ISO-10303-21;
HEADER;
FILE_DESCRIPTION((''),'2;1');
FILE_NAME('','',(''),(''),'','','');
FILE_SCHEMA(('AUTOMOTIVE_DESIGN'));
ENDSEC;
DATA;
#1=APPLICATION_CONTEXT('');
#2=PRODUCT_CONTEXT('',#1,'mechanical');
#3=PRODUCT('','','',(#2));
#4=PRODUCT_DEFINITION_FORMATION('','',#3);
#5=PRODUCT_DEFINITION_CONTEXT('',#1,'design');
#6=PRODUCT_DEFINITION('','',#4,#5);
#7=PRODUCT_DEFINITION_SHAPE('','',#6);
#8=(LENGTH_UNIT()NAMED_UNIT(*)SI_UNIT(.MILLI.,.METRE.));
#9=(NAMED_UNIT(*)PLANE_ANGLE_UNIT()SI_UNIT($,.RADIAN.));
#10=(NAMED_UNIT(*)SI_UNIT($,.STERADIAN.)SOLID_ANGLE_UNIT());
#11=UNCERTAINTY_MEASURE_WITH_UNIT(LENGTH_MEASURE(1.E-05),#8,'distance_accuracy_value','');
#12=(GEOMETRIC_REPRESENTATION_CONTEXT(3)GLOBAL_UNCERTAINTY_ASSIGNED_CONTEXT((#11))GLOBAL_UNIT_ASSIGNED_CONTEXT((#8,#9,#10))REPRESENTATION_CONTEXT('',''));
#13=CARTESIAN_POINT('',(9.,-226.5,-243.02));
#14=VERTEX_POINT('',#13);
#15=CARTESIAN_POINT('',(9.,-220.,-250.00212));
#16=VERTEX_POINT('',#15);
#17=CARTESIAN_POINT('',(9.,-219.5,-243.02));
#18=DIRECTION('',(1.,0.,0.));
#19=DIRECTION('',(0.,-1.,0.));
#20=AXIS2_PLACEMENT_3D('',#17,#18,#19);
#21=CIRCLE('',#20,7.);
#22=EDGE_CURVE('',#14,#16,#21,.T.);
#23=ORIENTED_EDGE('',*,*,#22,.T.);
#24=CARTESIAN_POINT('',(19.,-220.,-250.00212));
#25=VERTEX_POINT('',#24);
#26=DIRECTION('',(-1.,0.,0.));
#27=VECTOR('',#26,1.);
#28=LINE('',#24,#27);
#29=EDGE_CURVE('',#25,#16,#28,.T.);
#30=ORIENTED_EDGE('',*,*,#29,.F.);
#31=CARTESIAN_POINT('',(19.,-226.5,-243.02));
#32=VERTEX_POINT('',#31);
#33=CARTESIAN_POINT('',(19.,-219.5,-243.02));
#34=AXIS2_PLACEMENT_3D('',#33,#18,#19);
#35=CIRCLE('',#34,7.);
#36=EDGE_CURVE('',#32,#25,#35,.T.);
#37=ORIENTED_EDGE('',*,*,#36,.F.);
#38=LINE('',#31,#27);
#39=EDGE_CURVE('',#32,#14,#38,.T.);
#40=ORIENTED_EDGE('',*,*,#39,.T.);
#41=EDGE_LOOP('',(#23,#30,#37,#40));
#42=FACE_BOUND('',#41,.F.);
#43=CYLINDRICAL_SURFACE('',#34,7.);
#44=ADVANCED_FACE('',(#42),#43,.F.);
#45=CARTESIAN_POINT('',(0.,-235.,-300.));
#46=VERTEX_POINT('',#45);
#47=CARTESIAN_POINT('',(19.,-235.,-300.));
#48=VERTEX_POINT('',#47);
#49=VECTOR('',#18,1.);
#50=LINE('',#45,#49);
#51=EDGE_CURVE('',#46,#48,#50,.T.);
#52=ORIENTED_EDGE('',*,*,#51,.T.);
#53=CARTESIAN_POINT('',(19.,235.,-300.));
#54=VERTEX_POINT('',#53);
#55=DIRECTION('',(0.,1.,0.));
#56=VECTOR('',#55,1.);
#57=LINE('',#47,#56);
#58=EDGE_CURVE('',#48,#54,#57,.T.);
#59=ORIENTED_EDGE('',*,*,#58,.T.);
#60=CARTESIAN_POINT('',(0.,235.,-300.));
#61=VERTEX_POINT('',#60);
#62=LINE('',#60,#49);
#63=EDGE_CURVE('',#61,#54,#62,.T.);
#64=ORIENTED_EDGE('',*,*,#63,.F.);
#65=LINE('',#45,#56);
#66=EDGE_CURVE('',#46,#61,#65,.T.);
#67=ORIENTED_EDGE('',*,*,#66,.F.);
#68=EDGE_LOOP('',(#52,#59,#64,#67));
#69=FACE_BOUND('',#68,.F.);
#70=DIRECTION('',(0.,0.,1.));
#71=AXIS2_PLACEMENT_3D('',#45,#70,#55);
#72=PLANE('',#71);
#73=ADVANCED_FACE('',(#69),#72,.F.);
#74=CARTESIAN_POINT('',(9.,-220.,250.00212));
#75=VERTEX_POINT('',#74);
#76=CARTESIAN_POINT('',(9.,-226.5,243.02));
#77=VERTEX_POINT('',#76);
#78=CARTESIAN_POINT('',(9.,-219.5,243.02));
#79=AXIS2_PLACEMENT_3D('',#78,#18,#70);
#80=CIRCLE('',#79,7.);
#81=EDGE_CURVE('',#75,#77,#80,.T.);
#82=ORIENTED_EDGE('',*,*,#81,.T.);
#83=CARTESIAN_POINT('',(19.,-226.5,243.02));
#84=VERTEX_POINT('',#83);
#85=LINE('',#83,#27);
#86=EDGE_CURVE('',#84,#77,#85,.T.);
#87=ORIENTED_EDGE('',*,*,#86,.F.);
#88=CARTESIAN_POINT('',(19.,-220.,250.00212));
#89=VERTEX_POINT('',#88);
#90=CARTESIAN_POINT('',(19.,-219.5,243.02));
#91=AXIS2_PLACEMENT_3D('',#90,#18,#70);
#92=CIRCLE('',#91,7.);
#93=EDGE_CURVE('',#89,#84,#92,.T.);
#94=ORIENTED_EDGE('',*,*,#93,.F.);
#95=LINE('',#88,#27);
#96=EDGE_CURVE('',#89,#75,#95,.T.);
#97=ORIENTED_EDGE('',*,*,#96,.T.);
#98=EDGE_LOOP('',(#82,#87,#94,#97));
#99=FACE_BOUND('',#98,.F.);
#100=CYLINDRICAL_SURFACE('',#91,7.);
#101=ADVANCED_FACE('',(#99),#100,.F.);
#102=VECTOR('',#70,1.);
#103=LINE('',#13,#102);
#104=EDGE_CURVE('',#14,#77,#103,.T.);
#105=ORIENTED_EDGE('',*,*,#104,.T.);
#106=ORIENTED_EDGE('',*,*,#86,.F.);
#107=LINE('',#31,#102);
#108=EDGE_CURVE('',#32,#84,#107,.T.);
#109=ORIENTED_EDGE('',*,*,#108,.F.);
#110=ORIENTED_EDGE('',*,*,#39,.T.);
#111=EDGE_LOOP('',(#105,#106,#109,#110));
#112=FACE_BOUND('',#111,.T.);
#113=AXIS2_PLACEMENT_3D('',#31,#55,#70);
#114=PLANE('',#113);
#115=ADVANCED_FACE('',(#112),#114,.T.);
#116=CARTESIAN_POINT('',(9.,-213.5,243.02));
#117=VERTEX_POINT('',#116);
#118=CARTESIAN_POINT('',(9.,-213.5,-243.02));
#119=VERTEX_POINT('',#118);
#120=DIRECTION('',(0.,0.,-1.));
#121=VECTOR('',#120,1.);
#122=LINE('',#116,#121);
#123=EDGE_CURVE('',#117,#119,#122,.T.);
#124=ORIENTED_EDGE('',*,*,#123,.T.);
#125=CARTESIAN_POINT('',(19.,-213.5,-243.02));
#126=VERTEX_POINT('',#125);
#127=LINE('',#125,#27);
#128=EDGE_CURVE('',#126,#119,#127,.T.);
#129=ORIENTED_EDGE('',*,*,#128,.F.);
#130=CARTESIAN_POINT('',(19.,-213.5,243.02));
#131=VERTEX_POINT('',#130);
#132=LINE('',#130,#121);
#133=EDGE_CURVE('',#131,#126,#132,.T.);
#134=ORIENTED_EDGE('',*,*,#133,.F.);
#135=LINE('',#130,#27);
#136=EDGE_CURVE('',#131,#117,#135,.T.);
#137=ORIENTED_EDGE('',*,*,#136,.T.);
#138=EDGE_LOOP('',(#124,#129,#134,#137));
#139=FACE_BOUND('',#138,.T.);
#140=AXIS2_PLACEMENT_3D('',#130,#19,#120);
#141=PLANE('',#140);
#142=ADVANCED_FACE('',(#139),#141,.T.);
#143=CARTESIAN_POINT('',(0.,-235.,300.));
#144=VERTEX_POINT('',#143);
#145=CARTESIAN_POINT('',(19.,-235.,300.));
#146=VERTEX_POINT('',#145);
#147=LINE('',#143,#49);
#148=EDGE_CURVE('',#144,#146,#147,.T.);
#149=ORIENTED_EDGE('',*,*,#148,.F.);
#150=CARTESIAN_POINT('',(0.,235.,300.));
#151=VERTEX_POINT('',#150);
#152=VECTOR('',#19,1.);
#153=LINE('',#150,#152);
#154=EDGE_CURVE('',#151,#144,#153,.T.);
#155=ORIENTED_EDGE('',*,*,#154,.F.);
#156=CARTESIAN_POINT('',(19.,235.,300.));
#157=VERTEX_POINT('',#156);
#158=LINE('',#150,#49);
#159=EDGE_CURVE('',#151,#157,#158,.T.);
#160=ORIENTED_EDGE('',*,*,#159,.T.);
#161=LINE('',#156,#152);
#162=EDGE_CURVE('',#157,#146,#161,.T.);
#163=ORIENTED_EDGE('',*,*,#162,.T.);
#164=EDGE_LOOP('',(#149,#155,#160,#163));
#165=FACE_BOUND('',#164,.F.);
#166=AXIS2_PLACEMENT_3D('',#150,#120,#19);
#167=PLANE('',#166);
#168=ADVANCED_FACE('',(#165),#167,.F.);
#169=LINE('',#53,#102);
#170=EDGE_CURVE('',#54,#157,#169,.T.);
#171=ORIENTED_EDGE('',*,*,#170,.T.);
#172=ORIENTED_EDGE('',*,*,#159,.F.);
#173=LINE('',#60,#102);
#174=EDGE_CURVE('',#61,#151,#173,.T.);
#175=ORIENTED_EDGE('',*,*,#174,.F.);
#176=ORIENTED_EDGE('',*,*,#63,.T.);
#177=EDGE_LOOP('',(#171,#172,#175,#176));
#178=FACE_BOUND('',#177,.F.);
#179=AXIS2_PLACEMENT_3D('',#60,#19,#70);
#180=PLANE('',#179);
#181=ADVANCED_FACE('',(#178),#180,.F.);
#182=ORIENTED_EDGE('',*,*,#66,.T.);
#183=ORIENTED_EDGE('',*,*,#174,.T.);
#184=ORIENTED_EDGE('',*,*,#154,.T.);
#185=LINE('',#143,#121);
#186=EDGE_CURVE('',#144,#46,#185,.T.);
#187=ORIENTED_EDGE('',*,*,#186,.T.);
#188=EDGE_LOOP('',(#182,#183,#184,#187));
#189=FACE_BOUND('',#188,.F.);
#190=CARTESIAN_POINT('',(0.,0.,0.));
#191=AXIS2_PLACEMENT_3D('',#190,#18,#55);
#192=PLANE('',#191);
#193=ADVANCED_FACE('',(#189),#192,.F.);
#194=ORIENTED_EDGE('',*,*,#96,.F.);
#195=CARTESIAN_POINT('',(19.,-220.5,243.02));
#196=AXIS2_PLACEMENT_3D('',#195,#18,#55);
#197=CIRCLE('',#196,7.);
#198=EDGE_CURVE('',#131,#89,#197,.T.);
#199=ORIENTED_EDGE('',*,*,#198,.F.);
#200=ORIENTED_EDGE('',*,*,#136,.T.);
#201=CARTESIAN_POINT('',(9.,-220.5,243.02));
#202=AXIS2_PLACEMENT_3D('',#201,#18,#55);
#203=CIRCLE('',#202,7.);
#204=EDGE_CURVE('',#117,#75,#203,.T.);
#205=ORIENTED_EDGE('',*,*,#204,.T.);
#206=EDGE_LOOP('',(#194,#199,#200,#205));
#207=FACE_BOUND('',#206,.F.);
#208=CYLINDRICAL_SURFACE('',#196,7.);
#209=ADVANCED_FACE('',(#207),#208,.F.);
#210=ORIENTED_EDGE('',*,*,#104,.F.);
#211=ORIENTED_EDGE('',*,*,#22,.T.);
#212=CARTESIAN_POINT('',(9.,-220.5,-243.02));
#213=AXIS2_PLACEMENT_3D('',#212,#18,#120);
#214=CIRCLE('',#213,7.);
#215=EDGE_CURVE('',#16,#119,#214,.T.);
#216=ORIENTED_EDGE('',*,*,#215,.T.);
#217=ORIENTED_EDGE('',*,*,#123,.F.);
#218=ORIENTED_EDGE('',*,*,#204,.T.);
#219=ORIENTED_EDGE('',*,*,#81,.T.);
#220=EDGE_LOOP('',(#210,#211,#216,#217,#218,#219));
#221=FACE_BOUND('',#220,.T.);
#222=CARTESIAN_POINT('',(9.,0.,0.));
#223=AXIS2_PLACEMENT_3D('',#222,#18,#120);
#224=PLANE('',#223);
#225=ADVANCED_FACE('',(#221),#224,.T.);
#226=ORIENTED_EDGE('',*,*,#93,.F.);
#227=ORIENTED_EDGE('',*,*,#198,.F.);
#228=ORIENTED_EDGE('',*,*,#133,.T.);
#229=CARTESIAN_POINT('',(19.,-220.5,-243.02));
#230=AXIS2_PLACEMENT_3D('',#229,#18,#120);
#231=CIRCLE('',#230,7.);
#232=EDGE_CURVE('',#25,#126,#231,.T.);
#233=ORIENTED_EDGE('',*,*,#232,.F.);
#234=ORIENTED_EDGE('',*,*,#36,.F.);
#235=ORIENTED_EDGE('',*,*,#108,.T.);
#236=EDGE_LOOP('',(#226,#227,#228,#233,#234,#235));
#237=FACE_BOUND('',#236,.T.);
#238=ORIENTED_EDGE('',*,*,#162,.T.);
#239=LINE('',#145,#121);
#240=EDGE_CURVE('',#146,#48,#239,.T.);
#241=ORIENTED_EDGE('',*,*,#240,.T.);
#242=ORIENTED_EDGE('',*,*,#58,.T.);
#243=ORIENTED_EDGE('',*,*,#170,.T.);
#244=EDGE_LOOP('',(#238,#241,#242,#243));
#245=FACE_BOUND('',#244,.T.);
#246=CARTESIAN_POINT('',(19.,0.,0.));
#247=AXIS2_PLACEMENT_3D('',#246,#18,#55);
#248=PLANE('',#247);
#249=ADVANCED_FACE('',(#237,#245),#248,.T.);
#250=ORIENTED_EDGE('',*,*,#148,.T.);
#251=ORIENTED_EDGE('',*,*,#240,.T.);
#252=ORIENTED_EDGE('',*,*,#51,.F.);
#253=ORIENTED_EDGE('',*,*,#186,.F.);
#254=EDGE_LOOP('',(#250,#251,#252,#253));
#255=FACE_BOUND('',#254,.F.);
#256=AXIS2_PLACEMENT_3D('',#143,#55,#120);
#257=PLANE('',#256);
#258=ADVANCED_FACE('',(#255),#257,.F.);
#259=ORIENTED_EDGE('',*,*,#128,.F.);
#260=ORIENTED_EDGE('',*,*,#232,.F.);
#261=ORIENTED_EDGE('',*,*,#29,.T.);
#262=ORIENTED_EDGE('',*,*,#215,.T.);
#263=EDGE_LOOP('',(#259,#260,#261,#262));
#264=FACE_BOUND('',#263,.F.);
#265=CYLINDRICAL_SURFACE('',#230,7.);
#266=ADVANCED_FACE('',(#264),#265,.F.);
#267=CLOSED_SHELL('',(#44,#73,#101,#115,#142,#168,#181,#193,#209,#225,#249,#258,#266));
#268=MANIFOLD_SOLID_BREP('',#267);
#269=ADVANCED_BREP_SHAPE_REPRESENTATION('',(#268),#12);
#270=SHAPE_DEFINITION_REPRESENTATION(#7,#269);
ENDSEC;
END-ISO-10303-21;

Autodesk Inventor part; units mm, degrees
ref_plane "YZ Plane" through (0, 0, 0) normal (1, 0, 0) x (0, 1, 0)
ref_plane "XZ Plane" through (0, 0, 0) normal (0, 1, 0) x (-1, 0, 0)
ref_plane "XY Plane" through (0, 0, 0) normal (0, 0, 1) x (1, 0, 0)
sketch "Sketch1" plane through (0, 0, 0) normal (1, 0, 0) x (0, 1, 0)
  line L0 (-235, -300) -> (235, -300)
  line L1 (235, -300) -> (235, 300)
  line L2 (235, 300) -> (-235, 300)
  line L3 (-235, 300) -> (-235, -300)
  line L4 (-235, -300) -> (235, 300) construction
  line L5 (235, -300) -> (-235, 300) construction
  point P0 (0, 0)
  dimension "d0" = 470
  dimension "d1" = 600
extrude "Extrusion1" add sketch "Sketch1" along normal blind 19
sketch "Sketch2" plane through (19, 0, 0) normal (1, 0, 0) x (0, 0, -1)
  line L0 (-300, -235) -> (300, -235) projected
  line L1 (243.02, -226.5) -> (-243.02, -226.5)
  line L2 (-250.02, -219.5) -> (-250.02, -220.5)
  line L3 (-243.02, -213.5) -> (243.02, -213.5)
  line L4 (250.02, -220.5) -> (250.02, -219.5)
  line L5 (250.02, -226.5) -> (-250.02, -213.5) construction
  line L6 (-250.02, -226.5) -> (250.02, -213.5) construction
  arc A0 (250.02, -220.5) -> (243.02, -213.5) centre (243.02, -220.5) ccw
  arc A1 (243.02, -226.5) -> (250.02, -219.5) centre (243.02, -219.5) ccw
  arc A2 (-243.02, -213.5) -> (-250.02, -220.5) centre (-243.02, -220.5) ccw
  arc A3 (-250.02, -219.5) -> (-243.02, -226.5) centre (-243.02, -219.5) ccw
  point P0 (0, 0)
  point P1 (0, -220)
  point P2 (250.0021, -220)
  point P3 (-250.0021, -220)
  dimension "d4" = 15
  dimension "d5" = 500.04
  dimension "d6" = 13
  dimension "d7" = 7
  dimension "d8" = 7
extrude "Extrusion2" cut sketch "Sketch2" against normal blind 10 contours L1 A3 A2 L3 A0 A1
properties part number "boardTop" material "Wood (Cherry)"
